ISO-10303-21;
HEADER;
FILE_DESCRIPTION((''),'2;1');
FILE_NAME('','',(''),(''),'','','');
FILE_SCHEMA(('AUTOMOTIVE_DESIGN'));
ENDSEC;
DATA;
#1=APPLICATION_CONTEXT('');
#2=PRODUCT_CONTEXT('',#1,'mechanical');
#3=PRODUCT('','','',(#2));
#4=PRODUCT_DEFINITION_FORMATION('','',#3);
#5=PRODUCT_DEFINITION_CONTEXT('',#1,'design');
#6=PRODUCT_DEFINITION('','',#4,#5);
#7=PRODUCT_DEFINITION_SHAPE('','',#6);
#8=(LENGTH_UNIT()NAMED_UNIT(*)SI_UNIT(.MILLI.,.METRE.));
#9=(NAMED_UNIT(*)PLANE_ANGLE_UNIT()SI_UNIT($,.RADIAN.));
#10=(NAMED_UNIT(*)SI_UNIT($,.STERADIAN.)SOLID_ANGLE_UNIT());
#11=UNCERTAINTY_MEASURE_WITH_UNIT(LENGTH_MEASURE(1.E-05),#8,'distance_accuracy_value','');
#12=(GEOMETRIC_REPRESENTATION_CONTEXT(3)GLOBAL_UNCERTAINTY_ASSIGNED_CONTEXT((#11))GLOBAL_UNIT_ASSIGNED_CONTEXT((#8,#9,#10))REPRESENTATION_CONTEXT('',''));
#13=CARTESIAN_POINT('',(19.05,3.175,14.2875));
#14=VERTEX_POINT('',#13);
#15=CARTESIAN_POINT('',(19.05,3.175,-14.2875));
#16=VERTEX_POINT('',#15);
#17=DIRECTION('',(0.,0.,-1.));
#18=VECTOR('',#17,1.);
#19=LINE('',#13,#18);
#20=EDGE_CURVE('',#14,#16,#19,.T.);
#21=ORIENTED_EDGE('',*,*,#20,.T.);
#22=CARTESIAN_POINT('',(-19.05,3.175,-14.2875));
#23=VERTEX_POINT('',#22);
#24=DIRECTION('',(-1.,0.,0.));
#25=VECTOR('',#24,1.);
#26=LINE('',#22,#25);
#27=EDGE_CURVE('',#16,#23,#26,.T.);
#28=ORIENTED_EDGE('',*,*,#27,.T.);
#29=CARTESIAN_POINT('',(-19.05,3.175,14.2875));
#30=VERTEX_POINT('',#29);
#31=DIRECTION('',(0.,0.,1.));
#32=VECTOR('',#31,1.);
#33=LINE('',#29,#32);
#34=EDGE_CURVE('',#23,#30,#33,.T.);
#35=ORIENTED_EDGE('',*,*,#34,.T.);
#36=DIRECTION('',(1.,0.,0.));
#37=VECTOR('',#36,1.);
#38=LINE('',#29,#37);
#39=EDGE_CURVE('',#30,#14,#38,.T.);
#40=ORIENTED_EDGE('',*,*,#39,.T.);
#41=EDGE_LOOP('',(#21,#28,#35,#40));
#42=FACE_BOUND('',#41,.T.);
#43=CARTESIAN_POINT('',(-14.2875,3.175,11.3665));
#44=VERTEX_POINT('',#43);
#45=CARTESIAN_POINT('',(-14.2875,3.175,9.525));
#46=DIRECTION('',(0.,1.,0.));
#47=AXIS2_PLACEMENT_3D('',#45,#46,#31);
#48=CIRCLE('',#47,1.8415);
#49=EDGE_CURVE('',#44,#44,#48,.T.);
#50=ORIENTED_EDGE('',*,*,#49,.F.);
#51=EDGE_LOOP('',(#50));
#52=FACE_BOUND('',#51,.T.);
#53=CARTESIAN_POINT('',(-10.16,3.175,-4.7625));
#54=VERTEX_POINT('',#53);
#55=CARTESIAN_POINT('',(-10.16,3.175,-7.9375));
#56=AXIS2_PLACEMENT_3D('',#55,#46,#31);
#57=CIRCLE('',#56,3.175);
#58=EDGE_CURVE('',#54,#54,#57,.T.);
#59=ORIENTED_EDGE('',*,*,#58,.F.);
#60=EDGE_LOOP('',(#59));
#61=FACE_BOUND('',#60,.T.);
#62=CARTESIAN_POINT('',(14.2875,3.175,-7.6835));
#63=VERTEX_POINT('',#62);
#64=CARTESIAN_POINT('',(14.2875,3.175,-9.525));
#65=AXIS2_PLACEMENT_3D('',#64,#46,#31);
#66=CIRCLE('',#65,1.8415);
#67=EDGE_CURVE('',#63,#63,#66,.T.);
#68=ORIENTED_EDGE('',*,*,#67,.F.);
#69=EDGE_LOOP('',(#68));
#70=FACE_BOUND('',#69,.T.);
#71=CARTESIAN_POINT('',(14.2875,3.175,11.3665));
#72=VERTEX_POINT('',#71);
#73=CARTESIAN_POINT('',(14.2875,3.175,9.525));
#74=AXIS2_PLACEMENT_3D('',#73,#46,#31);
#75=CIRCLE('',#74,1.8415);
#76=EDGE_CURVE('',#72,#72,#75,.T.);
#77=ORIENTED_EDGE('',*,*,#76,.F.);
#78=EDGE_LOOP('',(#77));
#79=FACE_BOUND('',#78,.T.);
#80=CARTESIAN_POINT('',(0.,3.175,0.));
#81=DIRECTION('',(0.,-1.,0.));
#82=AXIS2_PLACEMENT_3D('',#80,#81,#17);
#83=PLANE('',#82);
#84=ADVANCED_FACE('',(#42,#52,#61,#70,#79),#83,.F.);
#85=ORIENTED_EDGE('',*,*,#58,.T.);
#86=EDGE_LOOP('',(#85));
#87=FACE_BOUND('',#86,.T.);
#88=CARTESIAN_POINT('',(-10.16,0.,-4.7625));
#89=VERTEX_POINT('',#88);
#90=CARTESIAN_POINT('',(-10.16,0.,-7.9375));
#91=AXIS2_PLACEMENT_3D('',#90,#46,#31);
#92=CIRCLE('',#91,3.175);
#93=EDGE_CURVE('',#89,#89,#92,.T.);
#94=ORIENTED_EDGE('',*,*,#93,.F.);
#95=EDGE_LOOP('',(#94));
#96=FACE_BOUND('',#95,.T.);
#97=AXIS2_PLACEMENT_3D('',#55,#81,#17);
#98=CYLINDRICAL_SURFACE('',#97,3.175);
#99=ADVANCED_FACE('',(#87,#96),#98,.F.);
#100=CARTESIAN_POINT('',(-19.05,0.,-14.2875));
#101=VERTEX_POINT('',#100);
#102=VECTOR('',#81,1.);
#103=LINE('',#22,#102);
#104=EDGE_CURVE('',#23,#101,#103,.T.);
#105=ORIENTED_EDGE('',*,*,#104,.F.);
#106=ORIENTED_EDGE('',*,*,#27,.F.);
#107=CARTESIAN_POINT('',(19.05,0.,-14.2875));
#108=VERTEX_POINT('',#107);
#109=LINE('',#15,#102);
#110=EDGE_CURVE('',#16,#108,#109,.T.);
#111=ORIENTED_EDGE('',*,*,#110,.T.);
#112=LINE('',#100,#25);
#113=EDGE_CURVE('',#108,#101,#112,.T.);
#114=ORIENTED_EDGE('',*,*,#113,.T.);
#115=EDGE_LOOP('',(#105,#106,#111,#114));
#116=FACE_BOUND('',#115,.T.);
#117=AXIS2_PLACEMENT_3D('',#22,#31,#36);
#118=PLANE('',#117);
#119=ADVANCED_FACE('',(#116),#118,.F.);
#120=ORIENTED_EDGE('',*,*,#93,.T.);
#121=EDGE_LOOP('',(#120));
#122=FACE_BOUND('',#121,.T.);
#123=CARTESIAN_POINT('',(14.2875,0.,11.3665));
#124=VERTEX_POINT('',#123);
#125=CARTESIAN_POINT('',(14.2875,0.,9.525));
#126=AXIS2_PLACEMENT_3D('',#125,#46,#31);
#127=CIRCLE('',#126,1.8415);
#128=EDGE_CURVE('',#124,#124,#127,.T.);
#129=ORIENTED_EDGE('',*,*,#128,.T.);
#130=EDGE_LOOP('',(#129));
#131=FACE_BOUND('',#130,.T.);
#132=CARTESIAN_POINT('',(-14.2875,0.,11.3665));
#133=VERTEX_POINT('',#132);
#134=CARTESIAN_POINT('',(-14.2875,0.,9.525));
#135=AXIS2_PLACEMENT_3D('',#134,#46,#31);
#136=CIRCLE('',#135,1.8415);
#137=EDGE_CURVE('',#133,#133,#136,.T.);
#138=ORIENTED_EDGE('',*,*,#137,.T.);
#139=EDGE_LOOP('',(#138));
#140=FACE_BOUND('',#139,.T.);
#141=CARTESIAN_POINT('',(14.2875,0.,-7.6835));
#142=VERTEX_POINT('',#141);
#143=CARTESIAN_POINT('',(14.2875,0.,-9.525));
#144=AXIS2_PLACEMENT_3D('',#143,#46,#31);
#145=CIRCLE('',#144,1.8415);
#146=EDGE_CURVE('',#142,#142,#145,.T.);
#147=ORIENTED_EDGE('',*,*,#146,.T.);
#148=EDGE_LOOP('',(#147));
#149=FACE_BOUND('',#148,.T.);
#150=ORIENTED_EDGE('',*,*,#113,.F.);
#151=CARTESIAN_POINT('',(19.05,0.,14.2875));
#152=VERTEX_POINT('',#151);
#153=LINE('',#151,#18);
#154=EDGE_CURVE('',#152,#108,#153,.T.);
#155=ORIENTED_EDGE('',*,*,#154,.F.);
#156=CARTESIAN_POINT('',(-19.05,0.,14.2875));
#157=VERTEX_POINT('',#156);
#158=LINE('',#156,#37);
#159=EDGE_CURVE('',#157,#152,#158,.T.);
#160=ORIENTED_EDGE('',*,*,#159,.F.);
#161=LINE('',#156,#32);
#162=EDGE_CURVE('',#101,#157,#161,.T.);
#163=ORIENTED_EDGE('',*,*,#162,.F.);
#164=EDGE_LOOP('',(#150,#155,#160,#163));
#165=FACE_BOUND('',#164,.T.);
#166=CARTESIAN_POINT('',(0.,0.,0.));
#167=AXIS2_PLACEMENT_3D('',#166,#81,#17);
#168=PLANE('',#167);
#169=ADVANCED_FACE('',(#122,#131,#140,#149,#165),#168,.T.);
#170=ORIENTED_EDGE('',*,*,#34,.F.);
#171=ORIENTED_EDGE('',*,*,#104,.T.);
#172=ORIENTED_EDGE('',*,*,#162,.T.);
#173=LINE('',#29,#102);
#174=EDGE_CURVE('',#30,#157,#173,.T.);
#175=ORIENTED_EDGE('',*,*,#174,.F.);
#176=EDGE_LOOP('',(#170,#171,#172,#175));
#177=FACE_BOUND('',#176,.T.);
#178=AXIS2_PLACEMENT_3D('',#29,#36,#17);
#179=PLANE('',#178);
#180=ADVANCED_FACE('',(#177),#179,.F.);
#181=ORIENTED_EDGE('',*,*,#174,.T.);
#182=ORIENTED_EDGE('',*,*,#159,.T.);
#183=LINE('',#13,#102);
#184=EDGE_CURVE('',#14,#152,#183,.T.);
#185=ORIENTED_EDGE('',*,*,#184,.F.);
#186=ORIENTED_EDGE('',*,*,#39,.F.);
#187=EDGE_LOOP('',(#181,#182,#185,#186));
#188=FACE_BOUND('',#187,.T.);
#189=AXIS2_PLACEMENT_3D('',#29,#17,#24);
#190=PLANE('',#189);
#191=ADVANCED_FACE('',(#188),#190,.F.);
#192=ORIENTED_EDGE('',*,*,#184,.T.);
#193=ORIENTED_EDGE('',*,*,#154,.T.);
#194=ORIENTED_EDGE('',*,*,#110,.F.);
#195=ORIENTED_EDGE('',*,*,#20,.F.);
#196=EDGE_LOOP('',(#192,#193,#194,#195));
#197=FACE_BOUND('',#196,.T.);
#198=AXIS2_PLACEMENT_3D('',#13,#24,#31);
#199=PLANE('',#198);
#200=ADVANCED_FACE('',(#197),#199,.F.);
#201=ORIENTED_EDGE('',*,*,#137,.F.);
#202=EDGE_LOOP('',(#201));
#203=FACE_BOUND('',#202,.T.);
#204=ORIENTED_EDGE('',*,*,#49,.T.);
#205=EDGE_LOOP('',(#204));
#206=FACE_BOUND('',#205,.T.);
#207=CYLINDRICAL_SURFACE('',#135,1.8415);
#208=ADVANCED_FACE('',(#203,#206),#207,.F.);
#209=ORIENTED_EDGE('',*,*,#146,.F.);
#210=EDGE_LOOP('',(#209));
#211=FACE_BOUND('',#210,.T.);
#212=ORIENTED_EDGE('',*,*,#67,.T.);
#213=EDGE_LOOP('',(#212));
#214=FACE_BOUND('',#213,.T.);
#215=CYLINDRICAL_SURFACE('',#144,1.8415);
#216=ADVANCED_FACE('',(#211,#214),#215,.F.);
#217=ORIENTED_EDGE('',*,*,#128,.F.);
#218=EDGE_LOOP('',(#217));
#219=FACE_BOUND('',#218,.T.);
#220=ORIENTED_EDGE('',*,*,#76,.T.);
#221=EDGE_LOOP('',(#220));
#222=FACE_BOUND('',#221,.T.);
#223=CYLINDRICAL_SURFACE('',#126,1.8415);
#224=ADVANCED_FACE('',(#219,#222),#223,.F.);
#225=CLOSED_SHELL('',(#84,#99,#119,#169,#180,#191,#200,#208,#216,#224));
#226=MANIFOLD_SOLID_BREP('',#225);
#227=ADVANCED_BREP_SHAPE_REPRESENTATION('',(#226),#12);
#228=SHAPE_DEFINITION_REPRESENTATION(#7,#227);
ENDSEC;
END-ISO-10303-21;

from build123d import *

# Parameters (mm, degrees)
SKETCH1_W           = 38.1
SKETCH1_H           = 28.575
SKETCH1_R           = 3.175
BOSS_EXTRUDE1_DEPTH = 3.175
SKETCH2_R           = 1.8415
CUT_EXTRUDE1_DEPTH  = 25.023234196


with BuildPart() as part:
    # Sketch1 → Boss-Extrude1 (new body)
    with BuildSketch(Plane(origin=(0, 0, 0), x_dir=(1, 0, 0), z_dir=(0, 1, 0))):
        Rectangle(SKETCH1_W, SKETCH1_H)
        with Locations(Location((-10.16, 7.9375, 0), (0, 0, 270))):
            Circle(SKETCH1_R, mode=Mode.SUBTRACT)
    extrude(amount=BOSS_EXTRUDE1_DEPTH)

    # Sketch2 → Cut-Extrude1 (cut, through all)
    with BuildSketch(Plane(origin=(0, 3.175, 0), x_dir=(1, 0, 0), z_dir=(0, 1, 0))):
        with Locations(Location((-14.2875, -9.525, 0), (0, 0, 270))):
            Circle(SKETCH2_R)
        with Locations(Location((14.2875, -9.525, 0), (0, 0, 270))):
            Circle(SKETCH2_R)
        with Locations(Location((14.2875, 9.525, 0), (0, 0, 270))):
            Circle(SKETCH2_R)
    extrude(amount=-CUT_EXTRUDE1_DEPTH, mode=Mode.SUBTRACT)


solid = part.part
